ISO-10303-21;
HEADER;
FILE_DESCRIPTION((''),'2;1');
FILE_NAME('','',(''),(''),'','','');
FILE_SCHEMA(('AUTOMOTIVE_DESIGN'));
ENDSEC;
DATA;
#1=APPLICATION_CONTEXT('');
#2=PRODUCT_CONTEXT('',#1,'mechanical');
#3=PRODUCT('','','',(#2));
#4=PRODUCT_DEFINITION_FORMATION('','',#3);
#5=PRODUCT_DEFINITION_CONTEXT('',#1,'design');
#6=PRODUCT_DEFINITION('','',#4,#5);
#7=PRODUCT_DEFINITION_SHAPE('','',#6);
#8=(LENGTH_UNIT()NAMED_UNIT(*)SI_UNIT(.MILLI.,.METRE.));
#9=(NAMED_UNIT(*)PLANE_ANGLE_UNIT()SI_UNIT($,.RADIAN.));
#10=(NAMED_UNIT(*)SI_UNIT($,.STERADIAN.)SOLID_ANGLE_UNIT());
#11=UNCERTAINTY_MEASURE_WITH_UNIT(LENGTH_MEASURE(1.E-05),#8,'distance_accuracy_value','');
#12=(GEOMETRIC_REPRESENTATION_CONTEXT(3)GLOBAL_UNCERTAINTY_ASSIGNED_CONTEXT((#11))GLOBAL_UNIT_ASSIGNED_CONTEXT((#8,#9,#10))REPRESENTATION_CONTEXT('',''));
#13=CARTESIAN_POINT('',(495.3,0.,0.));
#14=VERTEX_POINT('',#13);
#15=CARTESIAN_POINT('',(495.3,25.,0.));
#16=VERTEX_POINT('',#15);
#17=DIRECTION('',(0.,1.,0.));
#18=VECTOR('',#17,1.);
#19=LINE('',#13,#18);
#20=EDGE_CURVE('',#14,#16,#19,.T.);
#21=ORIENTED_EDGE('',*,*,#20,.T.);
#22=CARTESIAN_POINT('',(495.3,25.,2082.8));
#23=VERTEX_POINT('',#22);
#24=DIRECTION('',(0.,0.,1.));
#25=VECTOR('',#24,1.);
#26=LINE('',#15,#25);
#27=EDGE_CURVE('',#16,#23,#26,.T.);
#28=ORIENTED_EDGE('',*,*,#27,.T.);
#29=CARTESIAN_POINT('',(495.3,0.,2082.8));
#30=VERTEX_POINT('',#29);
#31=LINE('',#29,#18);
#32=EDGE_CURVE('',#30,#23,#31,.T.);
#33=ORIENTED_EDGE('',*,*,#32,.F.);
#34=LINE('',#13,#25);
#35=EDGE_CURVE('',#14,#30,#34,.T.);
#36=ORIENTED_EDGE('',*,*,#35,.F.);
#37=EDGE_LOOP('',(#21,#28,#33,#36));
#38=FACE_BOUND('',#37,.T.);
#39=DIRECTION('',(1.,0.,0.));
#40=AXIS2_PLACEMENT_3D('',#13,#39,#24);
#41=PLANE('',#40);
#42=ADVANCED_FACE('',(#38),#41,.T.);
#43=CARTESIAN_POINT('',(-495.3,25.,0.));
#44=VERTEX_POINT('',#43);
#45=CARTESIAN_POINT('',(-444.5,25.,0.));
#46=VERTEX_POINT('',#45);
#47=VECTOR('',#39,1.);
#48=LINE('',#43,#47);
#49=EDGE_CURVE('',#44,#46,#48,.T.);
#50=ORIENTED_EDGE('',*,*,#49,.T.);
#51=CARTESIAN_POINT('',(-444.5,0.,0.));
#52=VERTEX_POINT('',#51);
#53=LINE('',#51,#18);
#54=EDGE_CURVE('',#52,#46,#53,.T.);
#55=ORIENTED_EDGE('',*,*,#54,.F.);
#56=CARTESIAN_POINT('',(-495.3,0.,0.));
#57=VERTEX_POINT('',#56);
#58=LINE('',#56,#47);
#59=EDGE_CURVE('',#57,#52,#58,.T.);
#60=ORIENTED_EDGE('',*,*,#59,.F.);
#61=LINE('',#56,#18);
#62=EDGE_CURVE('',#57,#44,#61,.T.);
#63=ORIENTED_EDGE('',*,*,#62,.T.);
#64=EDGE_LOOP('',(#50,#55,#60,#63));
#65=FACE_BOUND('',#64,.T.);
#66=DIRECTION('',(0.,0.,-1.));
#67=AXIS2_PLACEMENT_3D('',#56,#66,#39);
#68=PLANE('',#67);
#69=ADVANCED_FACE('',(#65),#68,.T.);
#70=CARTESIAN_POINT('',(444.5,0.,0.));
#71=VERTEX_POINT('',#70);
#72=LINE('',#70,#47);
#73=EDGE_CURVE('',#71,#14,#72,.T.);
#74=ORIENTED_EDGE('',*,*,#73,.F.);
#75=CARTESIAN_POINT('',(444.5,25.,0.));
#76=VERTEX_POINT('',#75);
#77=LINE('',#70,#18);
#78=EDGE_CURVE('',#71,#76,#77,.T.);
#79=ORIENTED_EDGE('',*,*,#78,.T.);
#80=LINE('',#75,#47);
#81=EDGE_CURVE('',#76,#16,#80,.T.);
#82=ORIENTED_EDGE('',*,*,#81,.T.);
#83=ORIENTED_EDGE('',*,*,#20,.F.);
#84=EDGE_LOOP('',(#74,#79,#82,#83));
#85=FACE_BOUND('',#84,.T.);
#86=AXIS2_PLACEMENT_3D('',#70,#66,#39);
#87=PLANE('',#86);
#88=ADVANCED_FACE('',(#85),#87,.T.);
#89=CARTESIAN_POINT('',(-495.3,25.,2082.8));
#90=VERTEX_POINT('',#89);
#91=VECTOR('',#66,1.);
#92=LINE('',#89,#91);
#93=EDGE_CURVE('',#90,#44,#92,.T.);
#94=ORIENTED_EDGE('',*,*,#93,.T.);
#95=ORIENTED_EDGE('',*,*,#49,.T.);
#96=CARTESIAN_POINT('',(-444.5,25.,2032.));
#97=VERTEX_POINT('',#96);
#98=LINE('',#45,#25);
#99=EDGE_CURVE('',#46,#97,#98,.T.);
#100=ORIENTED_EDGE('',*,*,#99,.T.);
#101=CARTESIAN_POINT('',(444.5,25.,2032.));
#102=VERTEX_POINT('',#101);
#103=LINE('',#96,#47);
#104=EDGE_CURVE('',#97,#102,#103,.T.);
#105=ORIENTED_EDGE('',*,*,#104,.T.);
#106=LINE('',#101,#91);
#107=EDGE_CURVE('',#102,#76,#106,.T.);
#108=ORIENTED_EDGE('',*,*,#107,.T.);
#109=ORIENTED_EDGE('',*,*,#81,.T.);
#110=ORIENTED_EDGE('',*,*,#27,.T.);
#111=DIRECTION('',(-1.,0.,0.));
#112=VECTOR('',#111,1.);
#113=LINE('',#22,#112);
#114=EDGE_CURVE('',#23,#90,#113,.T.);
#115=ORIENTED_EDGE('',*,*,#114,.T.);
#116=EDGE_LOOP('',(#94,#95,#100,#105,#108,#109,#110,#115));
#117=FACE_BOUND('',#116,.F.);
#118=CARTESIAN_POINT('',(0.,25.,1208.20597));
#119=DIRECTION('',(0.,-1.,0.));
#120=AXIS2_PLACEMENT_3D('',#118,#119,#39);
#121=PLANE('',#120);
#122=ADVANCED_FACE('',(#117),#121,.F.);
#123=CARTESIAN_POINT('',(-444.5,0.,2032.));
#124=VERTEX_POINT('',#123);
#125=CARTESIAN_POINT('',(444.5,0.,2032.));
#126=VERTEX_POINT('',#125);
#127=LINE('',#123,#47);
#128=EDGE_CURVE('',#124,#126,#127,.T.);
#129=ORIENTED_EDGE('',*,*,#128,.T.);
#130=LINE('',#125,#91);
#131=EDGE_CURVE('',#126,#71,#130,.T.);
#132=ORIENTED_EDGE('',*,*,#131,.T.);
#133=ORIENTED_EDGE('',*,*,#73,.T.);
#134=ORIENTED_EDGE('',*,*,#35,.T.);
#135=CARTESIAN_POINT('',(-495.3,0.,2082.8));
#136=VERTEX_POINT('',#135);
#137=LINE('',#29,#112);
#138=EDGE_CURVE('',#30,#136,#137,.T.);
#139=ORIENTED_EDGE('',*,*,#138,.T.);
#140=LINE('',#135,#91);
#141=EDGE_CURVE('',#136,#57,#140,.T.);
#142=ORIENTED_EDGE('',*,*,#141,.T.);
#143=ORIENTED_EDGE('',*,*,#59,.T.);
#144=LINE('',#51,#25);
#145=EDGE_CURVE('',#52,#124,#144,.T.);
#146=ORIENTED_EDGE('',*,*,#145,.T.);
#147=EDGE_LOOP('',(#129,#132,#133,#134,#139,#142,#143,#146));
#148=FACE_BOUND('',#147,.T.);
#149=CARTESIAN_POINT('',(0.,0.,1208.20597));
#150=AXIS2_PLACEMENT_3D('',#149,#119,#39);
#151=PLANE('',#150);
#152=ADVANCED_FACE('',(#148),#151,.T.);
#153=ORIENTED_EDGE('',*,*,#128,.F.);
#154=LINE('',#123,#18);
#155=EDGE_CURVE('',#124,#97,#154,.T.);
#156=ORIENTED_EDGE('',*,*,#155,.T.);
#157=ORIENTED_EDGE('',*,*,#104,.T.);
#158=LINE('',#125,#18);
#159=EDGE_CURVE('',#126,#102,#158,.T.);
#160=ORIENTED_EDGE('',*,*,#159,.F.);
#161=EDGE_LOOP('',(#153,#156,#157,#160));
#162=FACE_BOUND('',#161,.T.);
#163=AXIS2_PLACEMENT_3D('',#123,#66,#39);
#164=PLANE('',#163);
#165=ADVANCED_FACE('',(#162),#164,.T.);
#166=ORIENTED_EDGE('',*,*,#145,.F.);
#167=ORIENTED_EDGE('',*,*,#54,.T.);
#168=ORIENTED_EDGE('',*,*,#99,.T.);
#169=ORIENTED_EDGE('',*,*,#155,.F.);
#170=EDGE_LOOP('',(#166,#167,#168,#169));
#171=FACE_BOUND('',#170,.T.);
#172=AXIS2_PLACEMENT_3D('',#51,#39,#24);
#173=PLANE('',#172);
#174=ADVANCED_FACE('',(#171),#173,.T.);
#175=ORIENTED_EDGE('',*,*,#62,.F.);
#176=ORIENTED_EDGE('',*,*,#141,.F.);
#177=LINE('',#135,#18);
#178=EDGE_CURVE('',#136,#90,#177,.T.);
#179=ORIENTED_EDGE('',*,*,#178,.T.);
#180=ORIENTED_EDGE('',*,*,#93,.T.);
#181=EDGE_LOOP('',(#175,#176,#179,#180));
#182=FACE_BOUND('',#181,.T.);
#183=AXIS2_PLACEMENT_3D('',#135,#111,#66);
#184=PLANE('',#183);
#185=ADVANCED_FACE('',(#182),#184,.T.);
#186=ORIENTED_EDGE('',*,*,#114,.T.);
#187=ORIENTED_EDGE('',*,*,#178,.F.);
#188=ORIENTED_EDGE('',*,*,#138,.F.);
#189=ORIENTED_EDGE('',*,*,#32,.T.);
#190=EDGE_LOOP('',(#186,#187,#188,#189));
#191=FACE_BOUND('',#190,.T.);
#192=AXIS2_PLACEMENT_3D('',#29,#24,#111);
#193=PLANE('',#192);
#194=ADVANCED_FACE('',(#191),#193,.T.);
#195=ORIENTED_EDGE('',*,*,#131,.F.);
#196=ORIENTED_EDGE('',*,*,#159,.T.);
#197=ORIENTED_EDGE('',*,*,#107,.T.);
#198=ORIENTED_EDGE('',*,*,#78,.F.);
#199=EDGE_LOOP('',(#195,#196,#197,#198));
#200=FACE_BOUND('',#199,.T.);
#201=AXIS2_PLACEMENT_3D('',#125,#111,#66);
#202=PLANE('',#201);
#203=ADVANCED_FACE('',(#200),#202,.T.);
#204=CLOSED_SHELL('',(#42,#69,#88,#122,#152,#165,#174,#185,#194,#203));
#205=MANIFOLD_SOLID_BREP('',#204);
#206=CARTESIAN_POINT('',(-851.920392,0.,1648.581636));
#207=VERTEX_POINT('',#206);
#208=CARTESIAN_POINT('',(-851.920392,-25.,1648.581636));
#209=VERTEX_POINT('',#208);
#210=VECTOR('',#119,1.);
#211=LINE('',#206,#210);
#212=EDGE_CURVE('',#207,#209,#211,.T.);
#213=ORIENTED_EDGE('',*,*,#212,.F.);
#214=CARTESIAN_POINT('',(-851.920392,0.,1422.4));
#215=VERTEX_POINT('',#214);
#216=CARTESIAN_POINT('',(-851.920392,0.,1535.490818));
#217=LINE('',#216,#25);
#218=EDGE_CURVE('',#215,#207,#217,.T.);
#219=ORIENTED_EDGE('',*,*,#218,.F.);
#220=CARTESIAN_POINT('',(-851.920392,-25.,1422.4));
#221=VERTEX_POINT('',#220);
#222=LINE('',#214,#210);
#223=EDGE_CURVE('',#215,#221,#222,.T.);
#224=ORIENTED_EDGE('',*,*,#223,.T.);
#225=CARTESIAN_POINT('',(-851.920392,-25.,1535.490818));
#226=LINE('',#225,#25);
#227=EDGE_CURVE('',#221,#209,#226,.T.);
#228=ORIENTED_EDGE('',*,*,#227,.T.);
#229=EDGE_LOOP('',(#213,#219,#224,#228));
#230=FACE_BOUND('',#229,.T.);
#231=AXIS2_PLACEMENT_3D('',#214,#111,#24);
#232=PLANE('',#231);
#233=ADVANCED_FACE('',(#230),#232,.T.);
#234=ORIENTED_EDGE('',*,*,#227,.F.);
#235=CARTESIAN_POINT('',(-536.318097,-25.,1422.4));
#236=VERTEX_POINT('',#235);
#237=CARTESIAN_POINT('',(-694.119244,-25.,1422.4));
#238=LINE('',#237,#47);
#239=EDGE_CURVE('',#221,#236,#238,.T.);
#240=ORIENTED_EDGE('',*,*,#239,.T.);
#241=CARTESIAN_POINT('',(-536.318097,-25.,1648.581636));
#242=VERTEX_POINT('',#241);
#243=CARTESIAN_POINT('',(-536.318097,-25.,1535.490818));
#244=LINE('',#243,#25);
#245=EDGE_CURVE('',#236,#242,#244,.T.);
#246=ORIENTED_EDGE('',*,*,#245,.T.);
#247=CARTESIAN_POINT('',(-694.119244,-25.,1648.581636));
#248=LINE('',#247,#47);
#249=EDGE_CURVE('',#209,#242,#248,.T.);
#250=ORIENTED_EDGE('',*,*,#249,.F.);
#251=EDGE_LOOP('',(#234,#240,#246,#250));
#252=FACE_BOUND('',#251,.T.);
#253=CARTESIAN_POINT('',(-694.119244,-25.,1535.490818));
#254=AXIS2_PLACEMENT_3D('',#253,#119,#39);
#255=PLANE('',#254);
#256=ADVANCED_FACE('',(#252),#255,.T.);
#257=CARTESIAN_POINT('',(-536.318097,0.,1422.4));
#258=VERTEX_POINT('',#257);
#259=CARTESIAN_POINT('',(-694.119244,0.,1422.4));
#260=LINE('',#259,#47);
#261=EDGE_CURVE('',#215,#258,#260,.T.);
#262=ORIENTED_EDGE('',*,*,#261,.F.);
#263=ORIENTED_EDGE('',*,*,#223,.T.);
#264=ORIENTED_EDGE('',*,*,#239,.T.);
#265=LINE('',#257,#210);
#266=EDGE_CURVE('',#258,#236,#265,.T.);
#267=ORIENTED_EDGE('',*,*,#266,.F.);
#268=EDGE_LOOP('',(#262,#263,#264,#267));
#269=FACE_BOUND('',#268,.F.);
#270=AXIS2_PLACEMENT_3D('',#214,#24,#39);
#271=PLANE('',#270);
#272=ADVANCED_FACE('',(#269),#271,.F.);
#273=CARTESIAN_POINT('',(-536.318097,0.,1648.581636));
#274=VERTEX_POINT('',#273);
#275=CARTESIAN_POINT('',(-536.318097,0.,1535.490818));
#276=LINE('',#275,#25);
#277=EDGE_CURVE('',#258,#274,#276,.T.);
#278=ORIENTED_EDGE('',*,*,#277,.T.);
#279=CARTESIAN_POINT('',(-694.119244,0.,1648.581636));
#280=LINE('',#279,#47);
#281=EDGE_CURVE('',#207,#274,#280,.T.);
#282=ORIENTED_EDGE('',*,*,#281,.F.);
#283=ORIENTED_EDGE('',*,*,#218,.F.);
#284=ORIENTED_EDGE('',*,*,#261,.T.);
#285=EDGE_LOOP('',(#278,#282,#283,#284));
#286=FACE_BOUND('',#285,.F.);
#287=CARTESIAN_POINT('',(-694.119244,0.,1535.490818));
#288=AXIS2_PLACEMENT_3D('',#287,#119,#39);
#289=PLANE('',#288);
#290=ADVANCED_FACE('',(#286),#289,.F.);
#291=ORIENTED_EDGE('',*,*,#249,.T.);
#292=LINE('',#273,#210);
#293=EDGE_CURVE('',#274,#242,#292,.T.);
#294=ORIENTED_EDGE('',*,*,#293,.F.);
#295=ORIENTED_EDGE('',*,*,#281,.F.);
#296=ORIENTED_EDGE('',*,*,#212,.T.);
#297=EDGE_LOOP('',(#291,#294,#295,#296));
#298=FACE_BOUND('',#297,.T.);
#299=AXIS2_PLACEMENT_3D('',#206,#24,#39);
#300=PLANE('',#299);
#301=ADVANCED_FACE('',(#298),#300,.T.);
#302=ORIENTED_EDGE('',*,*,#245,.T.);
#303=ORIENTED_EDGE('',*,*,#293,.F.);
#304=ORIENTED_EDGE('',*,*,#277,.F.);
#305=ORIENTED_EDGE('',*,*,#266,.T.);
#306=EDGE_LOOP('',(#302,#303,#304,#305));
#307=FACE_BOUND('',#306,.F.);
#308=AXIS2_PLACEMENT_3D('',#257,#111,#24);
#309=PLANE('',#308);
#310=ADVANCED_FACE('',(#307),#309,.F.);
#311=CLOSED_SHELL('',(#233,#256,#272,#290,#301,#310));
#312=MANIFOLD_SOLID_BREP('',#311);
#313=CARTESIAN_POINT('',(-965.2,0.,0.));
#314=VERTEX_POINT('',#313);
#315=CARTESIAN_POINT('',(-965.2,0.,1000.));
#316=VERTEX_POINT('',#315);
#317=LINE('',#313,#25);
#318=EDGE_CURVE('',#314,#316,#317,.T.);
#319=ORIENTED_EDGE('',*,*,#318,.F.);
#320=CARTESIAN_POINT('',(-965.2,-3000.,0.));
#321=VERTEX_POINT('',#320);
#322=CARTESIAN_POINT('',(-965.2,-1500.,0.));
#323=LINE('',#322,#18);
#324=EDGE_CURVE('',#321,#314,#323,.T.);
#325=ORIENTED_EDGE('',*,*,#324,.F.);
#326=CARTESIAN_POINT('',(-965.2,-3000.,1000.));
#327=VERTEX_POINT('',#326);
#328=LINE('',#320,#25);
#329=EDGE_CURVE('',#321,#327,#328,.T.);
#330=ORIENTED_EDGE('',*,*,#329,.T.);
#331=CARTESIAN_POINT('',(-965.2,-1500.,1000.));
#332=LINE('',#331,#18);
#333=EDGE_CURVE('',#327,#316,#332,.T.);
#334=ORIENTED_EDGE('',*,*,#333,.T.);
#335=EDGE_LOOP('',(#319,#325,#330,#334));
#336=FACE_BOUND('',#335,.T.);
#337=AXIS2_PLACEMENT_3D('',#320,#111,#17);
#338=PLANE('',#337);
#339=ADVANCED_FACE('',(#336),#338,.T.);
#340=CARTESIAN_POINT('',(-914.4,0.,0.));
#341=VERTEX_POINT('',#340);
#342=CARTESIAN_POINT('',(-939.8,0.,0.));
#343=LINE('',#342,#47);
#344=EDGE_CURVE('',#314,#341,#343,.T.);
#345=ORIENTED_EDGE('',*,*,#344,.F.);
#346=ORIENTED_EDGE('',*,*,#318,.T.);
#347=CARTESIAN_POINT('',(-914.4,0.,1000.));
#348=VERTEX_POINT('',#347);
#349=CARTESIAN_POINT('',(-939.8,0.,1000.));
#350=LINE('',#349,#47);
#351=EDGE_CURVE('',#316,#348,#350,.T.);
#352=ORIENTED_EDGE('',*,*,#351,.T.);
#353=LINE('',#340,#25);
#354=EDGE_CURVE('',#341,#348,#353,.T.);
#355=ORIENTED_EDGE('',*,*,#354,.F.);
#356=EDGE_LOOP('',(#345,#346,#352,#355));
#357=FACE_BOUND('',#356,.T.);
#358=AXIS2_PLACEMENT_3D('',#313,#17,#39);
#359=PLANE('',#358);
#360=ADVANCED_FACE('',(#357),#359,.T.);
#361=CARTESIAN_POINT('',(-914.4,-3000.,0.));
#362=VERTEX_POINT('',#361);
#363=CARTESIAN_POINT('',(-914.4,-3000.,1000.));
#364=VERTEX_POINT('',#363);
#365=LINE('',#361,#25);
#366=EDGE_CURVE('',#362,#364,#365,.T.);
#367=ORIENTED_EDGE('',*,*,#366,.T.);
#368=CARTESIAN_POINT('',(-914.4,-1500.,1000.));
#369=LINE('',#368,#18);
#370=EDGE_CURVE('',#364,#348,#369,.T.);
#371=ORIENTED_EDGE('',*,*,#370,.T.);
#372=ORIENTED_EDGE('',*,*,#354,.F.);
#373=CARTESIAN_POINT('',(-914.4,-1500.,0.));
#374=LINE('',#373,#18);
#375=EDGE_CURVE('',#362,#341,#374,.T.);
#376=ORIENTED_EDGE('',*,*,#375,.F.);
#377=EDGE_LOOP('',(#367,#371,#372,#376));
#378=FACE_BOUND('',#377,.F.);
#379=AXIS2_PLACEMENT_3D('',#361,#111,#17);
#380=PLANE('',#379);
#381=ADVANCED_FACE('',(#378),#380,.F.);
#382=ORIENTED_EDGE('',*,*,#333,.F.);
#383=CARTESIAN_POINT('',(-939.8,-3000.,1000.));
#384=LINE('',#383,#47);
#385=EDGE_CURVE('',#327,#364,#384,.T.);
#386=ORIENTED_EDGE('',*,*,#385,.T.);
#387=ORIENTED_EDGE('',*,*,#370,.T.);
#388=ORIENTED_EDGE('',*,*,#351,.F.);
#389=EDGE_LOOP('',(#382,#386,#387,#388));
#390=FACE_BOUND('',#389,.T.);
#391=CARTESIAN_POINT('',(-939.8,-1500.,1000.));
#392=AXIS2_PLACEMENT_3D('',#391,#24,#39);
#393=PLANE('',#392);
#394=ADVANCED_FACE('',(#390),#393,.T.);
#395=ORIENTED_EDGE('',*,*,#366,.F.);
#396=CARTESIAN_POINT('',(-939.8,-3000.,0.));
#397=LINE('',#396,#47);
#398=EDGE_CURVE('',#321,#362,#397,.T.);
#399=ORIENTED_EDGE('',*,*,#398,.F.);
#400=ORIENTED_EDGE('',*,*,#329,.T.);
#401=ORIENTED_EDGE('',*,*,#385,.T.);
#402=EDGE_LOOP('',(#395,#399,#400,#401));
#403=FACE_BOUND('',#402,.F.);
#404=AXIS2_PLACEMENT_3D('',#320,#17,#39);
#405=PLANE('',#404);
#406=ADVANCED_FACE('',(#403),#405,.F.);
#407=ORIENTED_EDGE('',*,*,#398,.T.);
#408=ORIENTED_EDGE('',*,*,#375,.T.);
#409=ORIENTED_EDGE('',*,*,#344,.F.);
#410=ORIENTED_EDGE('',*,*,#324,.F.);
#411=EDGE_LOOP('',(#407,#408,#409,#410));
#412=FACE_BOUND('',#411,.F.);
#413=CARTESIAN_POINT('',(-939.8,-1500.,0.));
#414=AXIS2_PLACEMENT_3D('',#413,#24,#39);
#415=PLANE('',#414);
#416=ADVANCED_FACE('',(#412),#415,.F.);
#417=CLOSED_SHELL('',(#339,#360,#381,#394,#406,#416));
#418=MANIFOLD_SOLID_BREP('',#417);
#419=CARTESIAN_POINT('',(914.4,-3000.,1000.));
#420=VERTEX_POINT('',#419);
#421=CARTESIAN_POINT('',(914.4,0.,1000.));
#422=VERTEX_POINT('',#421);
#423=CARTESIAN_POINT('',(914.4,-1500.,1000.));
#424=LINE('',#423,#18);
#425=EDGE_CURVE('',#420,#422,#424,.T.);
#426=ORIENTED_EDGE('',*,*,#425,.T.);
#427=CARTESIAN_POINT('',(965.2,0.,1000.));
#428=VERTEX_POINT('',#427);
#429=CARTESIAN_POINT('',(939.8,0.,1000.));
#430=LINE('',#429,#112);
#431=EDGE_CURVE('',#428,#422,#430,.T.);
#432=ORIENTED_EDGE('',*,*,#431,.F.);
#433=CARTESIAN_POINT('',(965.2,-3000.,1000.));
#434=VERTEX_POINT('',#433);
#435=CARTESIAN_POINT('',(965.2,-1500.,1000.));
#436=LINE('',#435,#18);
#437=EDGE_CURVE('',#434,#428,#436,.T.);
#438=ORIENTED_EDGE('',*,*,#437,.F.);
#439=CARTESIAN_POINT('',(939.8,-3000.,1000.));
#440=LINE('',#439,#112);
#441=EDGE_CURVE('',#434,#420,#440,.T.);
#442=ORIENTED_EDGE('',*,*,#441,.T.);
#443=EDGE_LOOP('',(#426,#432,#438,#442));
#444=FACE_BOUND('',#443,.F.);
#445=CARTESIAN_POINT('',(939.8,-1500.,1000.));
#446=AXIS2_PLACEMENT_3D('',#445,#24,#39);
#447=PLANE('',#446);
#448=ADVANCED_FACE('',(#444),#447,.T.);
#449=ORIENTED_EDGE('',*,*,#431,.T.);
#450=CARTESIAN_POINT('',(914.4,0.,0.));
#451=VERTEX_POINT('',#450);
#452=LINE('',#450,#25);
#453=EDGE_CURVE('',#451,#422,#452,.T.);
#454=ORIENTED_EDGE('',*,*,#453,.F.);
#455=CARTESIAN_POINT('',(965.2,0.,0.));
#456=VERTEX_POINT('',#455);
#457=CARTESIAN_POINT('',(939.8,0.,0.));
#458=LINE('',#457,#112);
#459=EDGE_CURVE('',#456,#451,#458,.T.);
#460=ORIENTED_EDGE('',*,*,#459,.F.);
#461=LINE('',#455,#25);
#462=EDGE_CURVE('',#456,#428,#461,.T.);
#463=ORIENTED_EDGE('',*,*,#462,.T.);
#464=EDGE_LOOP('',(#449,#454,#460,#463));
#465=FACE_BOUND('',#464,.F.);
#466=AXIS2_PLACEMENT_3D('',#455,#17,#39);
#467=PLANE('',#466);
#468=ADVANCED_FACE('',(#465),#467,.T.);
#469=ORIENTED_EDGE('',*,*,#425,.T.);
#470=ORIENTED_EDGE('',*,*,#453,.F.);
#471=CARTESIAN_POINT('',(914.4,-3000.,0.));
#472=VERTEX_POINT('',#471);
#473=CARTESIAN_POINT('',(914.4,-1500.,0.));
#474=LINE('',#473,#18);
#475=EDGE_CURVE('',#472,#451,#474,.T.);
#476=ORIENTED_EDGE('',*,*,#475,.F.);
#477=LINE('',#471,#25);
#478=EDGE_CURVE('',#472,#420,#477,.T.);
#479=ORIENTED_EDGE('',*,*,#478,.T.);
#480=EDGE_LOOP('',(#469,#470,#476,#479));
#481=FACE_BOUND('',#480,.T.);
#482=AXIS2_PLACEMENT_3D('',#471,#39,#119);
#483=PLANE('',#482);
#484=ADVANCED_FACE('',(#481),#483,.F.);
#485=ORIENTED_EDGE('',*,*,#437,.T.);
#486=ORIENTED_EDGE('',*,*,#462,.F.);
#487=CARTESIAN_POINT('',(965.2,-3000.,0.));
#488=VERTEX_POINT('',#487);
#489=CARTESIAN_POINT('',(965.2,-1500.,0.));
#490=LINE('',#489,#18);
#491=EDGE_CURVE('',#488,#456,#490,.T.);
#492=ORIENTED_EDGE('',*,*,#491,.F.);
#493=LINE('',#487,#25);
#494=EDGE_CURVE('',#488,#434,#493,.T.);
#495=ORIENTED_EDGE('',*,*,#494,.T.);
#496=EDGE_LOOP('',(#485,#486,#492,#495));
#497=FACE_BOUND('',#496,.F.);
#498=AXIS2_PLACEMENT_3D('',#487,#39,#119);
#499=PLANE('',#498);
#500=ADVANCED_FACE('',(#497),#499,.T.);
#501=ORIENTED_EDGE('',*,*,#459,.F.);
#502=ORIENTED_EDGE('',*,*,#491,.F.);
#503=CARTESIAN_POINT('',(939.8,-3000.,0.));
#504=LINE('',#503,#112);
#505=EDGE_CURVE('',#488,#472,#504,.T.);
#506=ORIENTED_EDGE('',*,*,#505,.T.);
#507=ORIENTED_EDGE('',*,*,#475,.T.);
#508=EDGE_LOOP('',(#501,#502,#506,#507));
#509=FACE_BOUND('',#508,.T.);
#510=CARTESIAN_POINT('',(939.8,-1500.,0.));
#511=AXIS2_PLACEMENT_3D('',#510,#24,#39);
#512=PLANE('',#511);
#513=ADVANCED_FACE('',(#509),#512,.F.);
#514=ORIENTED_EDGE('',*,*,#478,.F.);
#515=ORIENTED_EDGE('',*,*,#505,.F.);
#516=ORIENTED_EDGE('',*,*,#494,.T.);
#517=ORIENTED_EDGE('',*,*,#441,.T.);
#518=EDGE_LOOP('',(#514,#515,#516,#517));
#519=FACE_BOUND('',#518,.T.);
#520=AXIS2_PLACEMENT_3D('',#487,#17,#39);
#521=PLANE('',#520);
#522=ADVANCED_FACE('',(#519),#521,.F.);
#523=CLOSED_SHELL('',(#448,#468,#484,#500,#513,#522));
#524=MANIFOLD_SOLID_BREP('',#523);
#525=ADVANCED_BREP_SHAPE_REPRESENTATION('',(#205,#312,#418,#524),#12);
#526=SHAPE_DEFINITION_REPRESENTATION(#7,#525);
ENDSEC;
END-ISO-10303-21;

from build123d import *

# Parameters (mm, degrees)
F0_W     = 50.8
F0_H     = 3000
F1_DEPTH = 1000
F4_DEPTH = 25
F5_W     = 315.602295
F5_H     = 226.181636
F6_DEPTH = 25


with BuildPart() as f1:
    # F0 (on Top) → F1 (new body)
    with BuildSketch(Plane.XY):
        with Locations((-939.8, -1500)):
            Rectangle(F0_W, F0_H)
    extrude(amount=F1_DEPTH)


with BuildPart() as f2_1:
    # F2: instance of F1
    add(f1.part.mirror(Plane.YZ))


with BuildPart() as f4:
    # F3 (on Front) → F4 (new body)
    with BuildSketch(Plane.XZ):
        Polygon((-444.5, 0), (-444.5, 2032), (444.5, 2032), (444.5, 0), (495.3, 0), (495.3, 2082.8), (-495.3, 2082.8), (-495.3, 0), align=None)
    extrude(amount=-F4_DEPTH)


with BuildPart() as f6:
    # F5 (on Front) → F6 (new body)
    with BuildSketch(Plane.XZ):
        with Locations((-694.119244, 1535.490818)):
            Rectangle(F5_W, F5_H)
    extrude(amount=F6_DEPTH)


solid = Compound([f1.part, f2_1.part, f4.part, f6.part])
